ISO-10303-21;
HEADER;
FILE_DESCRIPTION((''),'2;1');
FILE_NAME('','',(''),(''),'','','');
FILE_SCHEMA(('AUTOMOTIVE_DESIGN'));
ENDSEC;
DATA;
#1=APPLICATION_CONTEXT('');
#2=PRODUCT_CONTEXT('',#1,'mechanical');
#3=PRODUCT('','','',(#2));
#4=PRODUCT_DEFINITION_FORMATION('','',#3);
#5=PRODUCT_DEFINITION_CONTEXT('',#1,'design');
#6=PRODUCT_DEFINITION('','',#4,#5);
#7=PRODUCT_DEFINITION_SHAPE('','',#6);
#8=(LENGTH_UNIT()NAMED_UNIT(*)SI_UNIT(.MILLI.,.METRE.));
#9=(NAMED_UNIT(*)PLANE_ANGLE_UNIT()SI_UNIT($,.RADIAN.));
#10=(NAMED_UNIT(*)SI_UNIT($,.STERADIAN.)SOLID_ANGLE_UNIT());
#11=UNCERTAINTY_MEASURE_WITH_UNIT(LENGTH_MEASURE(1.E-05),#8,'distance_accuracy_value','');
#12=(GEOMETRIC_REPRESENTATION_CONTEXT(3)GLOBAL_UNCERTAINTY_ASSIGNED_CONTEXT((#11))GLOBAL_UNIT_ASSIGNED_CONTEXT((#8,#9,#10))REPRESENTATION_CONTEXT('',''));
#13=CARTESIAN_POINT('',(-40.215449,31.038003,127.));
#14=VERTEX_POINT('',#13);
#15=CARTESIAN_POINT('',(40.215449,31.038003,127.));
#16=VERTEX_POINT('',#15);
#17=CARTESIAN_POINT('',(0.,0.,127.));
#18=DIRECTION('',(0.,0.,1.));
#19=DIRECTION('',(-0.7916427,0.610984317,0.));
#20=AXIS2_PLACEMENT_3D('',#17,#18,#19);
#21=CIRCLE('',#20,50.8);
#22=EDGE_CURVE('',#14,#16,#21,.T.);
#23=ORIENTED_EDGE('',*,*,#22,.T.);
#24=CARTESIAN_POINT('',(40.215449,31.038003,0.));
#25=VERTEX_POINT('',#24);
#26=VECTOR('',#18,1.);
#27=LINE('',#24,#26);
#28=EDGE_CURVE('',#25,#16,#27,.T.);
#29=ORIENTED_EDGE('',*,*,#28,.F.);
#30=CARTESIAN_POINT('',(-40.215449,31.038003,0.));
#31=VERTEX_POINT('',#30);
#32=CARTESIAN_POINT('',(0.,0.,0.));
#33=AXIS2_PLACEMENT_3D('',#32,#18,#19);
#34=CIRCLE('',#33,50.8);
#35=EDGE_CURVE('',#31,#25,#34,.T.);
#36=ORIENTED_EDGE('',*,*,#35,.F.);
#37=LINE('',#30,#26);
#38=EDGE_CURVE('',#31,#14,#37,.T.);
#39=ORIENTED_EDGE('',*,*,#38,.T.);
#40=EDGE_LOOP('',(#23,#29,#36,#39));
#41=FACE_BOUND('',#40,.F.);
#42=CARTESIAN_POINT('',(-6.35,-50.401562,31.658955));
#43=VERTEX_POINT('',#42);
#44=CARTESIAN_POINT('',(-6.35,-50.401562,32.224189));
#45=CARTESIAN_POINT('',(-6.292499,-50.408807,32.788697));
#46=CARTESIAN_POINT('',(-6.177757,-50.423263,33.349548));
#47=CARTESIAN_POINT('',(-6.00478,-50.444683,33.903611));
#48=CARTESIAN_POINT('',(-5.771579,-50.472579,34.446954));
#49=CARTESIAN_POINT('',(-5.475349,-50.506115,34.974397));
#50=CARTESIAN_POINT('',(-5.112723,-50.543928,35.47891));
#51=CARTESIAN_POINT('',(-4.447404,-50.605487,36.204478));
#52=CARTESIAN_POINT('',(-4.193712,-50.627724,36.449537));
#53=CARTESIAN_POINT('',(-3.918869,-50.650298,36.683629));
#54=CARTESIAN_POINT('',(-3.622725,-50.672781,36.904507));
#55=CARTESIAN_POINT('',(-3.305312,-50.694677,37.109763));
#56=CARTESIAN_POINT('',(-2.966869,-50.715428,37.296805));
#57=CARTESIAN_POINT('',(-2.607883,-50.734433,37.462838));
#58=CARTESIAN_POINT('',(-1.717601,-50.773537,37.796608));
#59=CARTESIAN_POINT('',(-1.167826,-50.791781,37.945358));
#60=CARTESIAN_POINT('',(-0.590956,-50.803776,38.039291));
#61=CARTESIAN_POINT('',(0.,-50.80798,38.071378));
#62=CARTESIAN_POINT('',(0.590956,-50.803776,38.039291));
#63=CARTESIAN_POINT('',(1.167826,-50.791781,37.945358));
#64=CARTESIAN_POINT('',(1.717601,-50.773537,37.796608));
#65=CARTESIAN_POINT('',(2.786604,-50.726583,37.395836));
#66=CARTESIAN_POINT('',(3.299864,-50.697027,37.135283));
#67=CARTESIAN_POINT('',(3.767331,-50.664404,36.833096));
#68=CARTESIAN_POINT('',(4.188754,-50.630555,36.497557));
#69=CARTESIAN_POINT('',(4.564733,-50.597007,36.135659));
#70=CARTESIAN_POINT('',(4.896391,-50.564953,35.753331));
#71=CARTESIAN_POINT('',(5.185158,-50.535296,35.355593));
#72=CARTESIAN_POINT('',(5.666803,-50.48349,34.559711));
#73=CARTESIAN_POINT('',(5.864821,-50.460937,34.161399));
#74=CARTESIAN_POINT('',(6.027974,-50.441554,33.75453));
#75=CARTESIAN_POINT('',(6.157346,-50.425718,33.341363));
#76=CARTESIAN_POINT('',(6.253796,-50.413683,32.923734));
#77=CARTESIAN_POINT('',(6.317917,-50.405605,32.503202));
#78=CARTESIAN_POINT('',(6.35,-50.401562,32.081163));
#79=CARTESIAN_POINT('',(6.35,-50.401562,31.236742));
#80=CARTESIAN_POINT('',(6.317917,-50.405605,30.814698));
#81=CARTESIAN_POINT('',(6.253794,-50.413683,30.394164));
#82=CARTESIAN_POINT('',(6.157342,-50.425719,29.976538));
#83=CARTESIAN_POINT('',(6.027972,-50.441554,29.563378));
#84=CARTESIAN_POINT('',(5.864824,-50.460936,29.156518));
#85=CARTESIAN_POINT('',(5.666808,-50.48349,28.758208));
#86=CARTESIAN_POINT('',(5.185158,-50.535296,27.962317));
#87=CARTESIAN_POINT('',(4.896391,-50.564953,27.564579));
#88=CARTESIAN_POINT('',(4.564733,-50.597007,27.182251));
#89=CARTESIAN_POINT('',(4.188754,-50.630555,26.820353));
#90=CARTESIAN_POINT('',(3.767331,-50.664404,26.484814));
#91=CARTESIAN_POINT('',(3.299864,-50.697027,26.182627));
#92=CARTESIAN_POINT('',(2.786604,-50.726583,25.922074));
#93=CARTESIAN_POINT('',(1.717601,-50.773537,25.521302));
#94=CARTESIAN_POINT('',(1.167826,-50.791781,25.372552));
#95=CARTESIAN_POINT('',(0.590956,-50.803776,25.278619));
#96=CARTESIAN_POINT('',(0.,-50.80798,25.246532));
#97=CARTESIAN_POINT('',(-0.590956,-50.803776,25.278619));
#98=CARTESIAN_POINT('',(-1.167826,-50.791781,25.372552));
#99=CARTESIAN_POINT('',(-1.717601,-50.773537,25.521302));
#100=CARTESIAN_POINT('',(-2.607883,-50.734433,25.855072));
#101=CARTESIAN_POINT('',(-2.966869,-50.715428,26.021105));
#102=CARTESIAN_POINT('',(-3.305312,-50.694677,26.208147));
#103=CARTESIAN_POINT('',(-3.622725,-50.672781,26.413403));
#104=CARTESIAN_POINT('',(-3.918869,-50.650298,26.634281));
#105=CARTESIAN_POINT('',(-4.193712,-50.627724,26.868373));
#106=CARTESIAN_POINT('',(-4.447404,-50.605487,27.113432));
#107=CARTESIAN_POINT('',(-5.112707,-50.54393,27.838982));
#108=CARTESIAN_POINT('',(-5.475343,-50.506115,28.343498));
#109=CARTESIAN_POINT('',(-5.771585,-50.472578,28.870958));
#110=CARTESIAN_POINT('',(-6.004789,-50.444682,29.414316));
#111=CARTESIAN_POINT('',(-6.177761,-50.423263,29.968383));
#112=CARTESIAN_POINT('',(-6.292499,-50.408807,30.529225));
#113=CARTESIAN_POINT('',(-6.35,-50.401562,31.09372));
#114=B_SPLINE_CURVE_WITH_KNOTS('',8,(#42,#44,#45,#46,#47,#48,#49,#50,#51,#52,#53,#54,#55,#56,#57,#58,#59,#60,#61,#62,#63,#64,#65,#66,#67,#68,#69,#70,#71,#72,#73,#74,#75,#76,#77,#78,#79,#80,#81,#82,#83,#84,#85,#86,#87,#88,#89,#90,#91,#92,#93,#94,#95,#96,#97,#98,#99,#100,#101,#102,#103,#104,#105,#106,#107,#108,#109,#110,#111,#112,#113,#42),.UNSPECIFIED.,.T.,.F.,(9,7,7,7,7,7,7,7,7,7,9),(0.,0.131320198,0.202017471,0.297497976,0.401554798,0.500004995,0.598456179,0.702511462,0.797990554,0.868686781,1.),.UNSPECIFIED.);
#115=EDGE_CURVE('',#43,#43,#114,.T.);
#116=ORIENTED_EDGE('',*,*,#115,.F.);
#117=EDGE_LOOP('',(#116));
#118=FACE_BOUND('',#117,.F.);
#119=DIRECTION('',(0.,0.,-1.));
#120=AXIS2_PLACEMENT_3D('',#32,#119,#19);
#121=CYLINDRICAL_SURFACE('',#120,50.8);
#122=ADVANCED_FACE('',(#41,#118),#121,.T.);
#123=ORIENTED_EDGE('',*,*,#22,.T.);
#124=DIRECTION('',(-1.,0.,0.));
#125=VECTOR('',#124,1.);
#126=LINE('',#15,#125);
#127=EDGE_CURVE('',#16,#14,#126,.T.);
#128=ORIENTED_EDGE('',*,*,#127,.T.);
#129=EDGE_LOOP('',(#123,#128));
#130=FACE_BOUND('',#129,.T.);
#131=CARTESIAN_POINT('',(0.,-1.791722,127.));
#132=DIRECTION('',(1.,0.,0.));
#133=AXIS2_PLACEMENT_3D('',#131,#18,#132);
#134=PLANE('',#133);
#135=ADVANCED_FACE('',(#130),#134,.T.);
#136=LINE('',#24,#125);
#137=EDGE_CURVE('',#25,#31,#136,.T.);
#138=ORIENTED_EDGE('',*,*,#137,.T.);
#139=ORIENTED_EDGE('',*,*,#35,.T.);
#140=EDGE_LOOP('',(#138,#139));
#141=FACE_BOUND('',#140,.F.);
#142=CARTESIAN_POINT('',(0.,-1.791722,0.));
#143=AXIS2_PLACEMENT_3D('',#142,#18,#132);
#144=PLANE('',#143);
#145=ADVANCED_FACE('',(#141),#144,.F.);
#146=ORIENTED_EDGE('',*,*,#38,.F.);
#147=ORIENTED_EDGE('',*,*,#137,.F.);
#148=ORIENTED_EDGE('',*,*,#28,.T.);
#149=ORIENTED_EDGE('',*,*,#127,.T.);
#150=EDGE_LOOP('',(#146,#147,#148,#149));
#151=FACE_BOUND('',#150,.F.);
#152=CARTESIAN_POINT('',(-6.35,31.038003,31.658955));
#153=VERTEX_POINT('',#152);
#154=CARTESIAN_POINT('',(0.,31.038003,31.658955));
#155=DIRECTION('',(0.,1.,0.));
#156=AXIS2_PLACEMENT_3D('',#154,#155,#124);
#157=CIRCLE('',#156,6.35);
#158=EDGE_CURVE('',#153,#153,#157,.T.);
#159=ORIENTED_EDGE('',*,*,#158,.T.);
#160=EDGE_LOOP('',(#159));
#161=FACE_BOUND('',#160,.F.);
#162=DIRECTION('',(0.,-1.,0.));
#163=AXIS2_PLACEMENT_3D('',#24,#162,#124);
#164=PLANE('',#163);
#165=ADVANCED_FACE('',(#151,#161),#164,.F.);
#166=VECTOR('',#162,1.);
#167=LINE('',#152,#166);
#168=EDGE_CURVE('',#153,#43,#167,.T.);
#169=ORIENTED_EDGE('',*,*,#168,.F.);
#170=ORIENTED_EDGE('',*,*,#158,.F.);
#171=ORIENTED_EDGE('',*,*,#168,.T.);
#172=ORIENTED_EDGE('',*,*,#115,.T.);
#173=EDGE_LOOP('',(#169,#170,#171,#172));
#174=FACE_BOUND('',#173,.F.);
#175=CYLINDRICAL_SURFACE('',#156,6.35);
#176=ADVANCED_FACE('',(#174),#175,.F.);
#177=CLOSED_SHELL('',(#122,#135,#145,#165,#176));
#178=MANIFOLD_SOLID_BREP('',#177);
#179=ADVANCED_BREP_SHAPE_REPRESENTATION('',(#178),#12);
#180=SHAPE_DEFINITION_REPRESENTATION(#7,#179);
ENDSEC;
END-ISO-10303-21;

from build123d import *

# Parameters (mm, degrees)
F1_DEPTH = 127
F2_R     = 6.35
F3_DEPTH = 127


with BuildPart() as f1:
    # F0 (on Top) → F1 (new body)
    with BuildSketch(Plane.XY):
        with BuildLine():
            Line((40.215449, 31.038003), (-40.215449, 31.038003))
            ThreePointArc((-40.215449, 31.038003), (0, -50.8), (40.215449, 31.038003))
        make_face()
    extrude(amount=F1_DEPTH)

    # F2 (on face) → F3 (cut)
    with BuildSketch(Plane(origin=(0, 31.038003, 0), x_dir=(-1, 0, 0), z_dir=(0, 1, 0))):
        with Locations((0, 31.658955)):
            Circle(F2_R)
    extrude(amount=-F3_DEPTH, mode=Mode.SUBTRACT)


solid = f1.part
